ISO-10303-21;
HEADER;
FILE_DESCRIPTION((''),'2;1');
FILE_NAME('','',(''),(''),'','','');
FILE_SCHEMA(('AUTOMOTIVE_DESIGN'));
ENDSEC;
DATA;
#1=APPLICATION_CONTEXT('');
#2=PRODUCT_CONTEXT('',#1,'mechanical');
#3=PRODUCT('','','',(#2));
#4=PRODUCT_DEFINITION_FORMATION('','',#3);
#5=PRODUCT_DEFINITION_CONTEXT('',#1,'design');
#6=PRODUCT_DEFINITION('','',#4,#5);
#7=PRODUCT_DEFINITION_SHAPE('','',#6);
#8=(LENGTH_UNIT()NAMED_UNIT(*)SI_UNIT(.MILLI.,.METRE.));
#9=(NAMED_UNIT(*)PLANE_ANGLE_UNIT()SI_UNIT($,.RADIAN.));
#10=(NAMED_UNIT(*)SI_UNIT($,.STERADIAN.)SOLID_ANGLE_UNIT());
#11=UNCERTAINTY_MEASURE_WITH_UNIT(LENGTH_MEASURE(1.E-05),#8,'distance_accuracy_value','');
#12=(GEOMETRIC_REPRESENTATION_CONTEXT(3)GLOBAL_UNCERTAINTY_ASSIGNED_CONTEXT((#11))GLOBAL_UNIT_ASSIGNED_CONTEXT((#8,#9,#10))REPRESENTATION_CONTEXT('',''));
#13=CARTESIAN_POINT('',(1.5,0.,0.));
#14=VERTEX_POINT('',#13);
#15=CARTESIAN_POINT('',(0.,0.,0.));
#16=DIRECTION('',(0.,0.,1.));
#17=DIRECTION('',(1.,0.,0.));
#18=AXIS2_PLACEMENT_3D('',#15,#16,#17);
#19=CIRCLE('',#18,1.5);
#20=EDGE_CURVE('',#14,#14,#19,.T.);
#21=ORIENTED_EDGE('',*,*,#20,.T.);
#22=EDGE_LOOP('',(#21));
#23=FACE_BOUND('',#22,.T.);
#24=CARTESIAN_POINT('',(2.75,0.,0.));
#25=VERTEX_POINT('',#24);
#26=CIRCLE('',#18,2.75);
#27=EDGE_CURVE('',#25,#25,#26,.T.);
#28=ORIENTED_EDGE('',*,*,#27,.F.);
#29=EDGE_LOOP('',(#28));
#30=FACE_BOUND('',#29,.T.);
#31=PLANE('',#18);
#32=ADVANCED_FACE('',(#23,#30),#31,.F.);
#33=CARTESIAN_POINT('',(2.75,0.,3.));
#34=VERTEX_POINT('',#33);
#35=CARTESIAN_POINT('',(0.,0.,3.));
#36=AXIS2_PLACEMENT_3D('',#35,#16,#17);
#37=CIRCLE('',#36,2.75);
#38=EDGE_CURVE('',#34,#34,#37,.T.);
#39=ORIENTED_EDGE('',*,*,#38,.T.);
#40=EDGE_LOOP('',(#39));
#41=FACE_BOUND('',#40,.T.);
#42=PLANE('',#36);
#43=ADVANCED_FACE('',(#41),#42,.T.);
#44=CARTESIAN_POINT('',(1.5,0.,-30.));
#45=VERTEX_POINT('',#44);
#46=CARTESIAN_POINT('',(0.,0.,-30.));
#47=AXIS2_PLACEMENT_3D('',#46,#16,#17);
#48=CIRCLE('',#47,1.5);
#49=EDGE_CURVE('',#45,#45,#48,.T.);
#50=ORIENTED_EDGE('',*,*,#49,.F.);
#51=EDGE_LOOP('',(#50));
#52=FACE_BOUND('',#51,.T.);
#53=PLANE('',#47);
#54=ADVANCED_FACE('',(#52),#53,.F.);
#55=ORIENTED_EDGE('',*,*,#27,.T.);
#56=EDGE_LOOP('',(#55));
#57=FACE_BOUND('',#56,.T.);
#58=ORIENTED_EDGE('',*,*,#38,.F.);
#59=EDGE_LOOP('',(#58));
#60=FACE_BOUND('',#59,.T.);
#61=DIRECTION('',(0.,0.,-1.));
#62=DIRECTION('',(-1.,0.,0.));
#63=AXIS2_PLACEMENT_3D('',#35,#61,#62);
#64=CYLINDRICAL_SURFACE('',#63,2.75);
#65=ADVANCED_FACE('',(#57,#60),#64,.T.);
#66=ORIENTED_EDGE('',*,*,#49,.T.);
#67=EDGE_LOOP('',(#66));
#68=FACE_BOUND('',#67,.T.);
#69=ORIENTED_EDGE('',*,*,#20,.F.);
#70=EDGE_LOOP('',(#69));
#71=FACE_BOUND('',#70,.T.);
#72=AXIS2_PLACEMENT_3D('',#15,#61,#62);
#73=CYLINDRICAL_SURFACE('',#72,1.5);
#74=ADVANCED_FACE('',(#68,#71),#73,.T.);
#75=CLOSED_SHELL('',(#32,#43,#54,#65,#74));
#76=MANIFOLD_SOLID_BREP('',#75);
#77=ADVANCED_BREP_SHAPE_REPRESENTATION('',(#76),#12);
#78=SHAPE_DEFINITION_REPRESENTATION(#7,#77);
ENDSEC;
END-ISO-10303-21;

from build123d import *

# Parameters (mm, degrees)
SHANK_NOMINAL_THREAD_ENVELOPE_START     = -30
SHANK_NOMINAL_THREAD_ENVELOPE_PROFILE_R = 1.5
SHANK_NOMINAL_THREAD_ENVELOPE_DEPTH     = 30
SOCKET_HEAD_ENVELOPE_PROFILE_R          = 2.75
SOCKET_HEAD_ENVELOPE_DEPTH              = 3


with BuildPart() as part:
    # Shank_nominal_thread_envelope_profile → Shank_nominal_thread_envelope (new body)
    with BuildSketch(Plane.XY.offset(SHANK_NOMINAL_THREAD_ENVELOPE_START)):
        Circle(SHANK_NOMINAL_THREAD_ENVELOPE_PROFILE_R)
    extrude(amount=SHANK_NOMINAL_THREAD_ENVELOPE_DEPTH)

    # Socket_head_envelope_profile → Socket_head_envelope (add)
    with BuildSketch(Plane.XY):
        Circle(SOCKET_HEAD_ENVELOPE_PROFILE_R)
    extrude(amount=SOCKET_HEAD_ENVELOPE_DEPTH)


solid = part.part
